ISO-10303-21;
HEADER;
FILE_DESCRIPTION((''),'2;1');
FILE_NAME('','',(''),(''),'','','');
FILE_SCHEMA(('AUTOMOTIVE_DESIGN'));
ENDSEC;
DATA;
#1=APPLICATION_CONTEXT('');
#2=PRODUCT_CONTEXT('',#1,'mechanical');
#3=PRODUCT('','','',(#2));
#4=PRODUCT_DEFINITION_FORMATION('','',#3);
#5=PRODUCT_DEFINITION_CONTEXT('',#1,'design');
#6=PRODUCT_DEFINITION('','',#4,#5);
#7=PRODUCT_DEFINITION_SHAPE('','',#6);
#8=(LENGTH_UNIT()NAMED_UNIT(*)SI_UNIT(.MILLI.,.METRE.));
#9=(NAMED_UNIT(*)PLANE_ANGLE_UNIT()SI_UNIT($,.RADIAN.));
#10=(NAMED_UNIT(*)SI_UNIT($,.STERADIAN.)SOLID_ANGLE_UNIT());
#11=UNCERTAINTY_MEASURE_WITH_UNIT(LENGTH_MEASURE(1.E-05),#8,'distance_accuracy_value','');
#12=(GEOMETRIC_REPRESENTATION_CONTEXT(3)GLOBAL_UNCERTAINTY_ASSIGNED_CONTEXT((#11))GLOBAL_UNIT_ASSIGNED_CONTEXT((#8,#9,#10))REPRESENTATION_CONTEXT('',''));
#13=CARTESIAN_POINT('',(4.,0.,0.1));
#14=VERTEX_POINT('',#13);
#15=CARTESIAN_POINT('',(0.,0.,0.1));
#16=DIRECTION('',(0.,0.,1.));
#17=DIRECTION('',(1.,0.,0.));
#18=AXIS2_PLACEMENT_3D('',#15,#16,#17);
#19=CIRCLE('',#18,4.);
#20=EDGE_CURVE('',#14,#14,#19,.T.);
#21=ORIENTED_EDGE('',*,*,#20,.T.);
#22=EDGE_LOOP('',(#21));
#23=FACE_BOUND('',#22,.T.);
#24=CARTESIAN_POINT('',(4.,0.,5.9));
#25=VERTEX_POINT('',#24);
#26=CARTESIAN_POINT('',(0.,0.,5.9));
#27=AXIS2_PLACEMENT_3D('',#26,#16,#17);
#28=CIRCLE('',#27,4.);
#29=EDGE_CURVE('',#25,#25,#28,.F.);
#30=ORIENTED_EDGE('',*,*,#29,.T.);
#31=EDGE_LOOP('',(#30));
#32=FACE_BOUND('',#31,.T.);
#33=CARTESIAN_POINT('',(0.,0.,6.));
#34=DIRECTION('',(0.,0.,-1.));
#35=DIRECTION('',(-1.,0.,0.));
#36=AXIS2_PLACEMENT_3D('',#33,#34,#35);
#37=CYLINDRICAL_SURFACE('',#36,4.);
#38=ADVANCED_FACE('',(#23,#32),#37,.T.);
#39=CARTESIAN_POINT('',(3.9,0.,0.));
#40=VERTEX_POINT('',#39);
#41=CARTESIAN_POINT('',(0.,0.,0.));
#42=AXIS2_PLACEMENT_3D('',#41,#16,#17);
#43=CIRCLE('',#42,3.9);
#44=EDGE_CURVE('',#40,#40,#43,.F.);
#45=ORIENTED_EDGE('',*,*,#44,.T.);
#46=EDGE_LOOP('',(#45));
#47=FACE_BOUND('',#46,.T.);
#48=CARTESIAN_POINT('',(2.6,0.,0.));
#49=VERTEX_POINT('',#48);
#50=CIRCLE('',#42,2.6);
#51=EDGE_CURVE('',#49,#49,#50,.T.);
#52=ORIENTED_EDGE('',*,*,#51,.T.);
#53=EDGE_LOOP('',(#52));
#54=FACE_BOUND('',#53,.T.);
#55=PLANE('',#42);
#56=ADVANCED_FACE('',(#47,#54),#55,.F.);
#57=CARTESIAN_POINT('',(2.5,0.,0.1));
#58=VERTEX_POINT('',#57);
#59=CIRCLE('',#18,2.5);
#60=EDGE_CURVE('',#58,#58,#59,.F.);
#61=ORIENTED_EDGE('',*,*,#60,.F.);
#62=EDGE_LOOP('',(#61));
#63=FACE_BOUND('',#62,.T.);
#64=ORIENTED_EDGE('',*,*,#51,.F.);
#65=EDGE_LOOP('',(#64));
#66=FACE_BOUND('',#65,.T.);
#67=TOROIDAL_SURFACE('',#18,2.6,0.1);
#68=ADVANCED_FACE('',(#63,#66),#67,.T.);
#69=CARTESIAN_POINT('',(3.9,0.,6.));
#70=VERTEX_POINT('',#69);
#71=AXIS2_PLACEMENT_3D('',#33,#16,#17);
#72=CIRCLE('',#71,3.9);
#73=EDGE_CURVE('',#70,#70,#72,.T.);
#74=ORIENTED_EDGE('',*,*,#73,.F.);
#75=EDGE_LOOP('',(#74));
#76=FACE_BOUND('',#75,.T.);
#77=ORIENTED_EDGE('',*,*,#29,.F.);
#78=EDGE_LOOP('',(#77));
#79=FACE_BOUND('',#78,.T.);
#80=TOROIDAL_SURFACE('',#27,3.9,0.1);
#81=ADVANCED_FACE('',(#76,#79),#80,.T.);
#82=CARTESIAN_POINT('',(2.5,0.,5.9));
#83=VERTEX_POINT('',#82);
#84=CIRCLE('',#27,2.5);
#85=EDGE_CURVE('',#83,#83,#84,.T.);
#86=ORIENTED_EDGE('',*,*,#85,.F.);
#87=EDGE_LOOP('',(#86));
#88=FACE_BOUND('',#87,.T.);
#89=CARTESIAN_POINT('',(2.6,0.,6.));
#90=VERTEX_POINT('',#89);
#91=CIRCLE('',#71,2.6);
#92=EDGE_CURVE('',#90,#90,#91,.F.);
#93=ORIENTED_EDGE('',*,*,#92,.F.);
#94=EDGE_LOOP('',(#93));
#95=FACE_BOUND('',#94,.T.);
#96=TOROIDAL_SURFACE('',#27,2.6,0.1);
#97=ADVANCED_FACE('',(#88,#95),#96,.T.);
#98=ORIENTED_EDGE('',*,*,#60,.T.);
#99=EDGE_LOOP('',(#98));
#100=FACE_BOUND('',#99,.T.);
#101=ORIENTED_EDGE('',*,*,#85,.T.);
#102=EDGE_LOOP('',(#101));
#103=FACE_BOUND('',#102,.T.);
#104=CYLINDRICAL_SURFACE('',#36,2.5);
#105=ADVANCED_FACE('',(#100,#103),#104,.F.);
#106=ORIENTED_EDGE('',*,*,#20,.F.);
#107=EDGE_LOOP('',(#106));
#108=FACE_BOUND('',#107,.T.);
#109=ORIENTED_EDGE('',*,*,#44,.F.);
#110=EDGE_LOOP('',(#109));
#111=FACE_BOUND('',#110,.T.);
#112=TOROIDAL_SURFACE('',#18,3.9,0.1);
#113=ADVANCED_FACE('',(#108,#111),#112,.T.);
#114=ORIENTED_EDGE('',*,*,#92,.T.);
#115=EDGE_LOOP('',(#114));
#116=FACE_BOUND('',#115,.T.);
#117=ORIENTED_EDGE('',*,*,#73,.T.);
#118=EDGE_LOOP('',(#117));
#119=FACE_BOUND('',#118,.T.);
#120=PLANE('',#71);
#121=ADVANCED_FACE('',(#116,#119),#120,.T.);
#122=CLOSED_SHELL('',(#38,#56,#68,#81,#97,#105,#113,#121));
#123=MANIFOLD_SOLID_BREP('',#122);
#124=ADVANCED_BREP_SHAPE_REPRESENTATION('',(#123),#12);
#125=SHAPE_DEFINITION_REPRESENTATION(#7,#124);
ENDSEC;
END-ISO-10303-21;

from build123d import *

# Parameters (mm, degrees)
SKETCH1_R           = 4
SKETCH1_R_2         = 2.5
BOSS_EXTRUDE1_DEPTH = 6
FILLET1_R           = 0.1


with BuildPart() as part:
    # Sketch1 → Boss-Extrude1 (new body)
    with BuildSketch(Plane.XY):
        Circle(SKETCH1_R)
        Circle(SKETCH1_R_2, mode=Mode.SUBTRACT)
    extrude(amount=BOSS_EXTRUDE1_DEPTH)

    # Fillet1
    fillet1_edges = [part.edges().sort_by_distance(p)[0] for p in [
        (-4, 0, 0),
        (-4, 0, 6),
        (-2.5, 0, 0),
        (-2.5, 0, 6),
    ]]
    fillet(fillet1_edges, radius=FILLET1_R)


solid = part.part
